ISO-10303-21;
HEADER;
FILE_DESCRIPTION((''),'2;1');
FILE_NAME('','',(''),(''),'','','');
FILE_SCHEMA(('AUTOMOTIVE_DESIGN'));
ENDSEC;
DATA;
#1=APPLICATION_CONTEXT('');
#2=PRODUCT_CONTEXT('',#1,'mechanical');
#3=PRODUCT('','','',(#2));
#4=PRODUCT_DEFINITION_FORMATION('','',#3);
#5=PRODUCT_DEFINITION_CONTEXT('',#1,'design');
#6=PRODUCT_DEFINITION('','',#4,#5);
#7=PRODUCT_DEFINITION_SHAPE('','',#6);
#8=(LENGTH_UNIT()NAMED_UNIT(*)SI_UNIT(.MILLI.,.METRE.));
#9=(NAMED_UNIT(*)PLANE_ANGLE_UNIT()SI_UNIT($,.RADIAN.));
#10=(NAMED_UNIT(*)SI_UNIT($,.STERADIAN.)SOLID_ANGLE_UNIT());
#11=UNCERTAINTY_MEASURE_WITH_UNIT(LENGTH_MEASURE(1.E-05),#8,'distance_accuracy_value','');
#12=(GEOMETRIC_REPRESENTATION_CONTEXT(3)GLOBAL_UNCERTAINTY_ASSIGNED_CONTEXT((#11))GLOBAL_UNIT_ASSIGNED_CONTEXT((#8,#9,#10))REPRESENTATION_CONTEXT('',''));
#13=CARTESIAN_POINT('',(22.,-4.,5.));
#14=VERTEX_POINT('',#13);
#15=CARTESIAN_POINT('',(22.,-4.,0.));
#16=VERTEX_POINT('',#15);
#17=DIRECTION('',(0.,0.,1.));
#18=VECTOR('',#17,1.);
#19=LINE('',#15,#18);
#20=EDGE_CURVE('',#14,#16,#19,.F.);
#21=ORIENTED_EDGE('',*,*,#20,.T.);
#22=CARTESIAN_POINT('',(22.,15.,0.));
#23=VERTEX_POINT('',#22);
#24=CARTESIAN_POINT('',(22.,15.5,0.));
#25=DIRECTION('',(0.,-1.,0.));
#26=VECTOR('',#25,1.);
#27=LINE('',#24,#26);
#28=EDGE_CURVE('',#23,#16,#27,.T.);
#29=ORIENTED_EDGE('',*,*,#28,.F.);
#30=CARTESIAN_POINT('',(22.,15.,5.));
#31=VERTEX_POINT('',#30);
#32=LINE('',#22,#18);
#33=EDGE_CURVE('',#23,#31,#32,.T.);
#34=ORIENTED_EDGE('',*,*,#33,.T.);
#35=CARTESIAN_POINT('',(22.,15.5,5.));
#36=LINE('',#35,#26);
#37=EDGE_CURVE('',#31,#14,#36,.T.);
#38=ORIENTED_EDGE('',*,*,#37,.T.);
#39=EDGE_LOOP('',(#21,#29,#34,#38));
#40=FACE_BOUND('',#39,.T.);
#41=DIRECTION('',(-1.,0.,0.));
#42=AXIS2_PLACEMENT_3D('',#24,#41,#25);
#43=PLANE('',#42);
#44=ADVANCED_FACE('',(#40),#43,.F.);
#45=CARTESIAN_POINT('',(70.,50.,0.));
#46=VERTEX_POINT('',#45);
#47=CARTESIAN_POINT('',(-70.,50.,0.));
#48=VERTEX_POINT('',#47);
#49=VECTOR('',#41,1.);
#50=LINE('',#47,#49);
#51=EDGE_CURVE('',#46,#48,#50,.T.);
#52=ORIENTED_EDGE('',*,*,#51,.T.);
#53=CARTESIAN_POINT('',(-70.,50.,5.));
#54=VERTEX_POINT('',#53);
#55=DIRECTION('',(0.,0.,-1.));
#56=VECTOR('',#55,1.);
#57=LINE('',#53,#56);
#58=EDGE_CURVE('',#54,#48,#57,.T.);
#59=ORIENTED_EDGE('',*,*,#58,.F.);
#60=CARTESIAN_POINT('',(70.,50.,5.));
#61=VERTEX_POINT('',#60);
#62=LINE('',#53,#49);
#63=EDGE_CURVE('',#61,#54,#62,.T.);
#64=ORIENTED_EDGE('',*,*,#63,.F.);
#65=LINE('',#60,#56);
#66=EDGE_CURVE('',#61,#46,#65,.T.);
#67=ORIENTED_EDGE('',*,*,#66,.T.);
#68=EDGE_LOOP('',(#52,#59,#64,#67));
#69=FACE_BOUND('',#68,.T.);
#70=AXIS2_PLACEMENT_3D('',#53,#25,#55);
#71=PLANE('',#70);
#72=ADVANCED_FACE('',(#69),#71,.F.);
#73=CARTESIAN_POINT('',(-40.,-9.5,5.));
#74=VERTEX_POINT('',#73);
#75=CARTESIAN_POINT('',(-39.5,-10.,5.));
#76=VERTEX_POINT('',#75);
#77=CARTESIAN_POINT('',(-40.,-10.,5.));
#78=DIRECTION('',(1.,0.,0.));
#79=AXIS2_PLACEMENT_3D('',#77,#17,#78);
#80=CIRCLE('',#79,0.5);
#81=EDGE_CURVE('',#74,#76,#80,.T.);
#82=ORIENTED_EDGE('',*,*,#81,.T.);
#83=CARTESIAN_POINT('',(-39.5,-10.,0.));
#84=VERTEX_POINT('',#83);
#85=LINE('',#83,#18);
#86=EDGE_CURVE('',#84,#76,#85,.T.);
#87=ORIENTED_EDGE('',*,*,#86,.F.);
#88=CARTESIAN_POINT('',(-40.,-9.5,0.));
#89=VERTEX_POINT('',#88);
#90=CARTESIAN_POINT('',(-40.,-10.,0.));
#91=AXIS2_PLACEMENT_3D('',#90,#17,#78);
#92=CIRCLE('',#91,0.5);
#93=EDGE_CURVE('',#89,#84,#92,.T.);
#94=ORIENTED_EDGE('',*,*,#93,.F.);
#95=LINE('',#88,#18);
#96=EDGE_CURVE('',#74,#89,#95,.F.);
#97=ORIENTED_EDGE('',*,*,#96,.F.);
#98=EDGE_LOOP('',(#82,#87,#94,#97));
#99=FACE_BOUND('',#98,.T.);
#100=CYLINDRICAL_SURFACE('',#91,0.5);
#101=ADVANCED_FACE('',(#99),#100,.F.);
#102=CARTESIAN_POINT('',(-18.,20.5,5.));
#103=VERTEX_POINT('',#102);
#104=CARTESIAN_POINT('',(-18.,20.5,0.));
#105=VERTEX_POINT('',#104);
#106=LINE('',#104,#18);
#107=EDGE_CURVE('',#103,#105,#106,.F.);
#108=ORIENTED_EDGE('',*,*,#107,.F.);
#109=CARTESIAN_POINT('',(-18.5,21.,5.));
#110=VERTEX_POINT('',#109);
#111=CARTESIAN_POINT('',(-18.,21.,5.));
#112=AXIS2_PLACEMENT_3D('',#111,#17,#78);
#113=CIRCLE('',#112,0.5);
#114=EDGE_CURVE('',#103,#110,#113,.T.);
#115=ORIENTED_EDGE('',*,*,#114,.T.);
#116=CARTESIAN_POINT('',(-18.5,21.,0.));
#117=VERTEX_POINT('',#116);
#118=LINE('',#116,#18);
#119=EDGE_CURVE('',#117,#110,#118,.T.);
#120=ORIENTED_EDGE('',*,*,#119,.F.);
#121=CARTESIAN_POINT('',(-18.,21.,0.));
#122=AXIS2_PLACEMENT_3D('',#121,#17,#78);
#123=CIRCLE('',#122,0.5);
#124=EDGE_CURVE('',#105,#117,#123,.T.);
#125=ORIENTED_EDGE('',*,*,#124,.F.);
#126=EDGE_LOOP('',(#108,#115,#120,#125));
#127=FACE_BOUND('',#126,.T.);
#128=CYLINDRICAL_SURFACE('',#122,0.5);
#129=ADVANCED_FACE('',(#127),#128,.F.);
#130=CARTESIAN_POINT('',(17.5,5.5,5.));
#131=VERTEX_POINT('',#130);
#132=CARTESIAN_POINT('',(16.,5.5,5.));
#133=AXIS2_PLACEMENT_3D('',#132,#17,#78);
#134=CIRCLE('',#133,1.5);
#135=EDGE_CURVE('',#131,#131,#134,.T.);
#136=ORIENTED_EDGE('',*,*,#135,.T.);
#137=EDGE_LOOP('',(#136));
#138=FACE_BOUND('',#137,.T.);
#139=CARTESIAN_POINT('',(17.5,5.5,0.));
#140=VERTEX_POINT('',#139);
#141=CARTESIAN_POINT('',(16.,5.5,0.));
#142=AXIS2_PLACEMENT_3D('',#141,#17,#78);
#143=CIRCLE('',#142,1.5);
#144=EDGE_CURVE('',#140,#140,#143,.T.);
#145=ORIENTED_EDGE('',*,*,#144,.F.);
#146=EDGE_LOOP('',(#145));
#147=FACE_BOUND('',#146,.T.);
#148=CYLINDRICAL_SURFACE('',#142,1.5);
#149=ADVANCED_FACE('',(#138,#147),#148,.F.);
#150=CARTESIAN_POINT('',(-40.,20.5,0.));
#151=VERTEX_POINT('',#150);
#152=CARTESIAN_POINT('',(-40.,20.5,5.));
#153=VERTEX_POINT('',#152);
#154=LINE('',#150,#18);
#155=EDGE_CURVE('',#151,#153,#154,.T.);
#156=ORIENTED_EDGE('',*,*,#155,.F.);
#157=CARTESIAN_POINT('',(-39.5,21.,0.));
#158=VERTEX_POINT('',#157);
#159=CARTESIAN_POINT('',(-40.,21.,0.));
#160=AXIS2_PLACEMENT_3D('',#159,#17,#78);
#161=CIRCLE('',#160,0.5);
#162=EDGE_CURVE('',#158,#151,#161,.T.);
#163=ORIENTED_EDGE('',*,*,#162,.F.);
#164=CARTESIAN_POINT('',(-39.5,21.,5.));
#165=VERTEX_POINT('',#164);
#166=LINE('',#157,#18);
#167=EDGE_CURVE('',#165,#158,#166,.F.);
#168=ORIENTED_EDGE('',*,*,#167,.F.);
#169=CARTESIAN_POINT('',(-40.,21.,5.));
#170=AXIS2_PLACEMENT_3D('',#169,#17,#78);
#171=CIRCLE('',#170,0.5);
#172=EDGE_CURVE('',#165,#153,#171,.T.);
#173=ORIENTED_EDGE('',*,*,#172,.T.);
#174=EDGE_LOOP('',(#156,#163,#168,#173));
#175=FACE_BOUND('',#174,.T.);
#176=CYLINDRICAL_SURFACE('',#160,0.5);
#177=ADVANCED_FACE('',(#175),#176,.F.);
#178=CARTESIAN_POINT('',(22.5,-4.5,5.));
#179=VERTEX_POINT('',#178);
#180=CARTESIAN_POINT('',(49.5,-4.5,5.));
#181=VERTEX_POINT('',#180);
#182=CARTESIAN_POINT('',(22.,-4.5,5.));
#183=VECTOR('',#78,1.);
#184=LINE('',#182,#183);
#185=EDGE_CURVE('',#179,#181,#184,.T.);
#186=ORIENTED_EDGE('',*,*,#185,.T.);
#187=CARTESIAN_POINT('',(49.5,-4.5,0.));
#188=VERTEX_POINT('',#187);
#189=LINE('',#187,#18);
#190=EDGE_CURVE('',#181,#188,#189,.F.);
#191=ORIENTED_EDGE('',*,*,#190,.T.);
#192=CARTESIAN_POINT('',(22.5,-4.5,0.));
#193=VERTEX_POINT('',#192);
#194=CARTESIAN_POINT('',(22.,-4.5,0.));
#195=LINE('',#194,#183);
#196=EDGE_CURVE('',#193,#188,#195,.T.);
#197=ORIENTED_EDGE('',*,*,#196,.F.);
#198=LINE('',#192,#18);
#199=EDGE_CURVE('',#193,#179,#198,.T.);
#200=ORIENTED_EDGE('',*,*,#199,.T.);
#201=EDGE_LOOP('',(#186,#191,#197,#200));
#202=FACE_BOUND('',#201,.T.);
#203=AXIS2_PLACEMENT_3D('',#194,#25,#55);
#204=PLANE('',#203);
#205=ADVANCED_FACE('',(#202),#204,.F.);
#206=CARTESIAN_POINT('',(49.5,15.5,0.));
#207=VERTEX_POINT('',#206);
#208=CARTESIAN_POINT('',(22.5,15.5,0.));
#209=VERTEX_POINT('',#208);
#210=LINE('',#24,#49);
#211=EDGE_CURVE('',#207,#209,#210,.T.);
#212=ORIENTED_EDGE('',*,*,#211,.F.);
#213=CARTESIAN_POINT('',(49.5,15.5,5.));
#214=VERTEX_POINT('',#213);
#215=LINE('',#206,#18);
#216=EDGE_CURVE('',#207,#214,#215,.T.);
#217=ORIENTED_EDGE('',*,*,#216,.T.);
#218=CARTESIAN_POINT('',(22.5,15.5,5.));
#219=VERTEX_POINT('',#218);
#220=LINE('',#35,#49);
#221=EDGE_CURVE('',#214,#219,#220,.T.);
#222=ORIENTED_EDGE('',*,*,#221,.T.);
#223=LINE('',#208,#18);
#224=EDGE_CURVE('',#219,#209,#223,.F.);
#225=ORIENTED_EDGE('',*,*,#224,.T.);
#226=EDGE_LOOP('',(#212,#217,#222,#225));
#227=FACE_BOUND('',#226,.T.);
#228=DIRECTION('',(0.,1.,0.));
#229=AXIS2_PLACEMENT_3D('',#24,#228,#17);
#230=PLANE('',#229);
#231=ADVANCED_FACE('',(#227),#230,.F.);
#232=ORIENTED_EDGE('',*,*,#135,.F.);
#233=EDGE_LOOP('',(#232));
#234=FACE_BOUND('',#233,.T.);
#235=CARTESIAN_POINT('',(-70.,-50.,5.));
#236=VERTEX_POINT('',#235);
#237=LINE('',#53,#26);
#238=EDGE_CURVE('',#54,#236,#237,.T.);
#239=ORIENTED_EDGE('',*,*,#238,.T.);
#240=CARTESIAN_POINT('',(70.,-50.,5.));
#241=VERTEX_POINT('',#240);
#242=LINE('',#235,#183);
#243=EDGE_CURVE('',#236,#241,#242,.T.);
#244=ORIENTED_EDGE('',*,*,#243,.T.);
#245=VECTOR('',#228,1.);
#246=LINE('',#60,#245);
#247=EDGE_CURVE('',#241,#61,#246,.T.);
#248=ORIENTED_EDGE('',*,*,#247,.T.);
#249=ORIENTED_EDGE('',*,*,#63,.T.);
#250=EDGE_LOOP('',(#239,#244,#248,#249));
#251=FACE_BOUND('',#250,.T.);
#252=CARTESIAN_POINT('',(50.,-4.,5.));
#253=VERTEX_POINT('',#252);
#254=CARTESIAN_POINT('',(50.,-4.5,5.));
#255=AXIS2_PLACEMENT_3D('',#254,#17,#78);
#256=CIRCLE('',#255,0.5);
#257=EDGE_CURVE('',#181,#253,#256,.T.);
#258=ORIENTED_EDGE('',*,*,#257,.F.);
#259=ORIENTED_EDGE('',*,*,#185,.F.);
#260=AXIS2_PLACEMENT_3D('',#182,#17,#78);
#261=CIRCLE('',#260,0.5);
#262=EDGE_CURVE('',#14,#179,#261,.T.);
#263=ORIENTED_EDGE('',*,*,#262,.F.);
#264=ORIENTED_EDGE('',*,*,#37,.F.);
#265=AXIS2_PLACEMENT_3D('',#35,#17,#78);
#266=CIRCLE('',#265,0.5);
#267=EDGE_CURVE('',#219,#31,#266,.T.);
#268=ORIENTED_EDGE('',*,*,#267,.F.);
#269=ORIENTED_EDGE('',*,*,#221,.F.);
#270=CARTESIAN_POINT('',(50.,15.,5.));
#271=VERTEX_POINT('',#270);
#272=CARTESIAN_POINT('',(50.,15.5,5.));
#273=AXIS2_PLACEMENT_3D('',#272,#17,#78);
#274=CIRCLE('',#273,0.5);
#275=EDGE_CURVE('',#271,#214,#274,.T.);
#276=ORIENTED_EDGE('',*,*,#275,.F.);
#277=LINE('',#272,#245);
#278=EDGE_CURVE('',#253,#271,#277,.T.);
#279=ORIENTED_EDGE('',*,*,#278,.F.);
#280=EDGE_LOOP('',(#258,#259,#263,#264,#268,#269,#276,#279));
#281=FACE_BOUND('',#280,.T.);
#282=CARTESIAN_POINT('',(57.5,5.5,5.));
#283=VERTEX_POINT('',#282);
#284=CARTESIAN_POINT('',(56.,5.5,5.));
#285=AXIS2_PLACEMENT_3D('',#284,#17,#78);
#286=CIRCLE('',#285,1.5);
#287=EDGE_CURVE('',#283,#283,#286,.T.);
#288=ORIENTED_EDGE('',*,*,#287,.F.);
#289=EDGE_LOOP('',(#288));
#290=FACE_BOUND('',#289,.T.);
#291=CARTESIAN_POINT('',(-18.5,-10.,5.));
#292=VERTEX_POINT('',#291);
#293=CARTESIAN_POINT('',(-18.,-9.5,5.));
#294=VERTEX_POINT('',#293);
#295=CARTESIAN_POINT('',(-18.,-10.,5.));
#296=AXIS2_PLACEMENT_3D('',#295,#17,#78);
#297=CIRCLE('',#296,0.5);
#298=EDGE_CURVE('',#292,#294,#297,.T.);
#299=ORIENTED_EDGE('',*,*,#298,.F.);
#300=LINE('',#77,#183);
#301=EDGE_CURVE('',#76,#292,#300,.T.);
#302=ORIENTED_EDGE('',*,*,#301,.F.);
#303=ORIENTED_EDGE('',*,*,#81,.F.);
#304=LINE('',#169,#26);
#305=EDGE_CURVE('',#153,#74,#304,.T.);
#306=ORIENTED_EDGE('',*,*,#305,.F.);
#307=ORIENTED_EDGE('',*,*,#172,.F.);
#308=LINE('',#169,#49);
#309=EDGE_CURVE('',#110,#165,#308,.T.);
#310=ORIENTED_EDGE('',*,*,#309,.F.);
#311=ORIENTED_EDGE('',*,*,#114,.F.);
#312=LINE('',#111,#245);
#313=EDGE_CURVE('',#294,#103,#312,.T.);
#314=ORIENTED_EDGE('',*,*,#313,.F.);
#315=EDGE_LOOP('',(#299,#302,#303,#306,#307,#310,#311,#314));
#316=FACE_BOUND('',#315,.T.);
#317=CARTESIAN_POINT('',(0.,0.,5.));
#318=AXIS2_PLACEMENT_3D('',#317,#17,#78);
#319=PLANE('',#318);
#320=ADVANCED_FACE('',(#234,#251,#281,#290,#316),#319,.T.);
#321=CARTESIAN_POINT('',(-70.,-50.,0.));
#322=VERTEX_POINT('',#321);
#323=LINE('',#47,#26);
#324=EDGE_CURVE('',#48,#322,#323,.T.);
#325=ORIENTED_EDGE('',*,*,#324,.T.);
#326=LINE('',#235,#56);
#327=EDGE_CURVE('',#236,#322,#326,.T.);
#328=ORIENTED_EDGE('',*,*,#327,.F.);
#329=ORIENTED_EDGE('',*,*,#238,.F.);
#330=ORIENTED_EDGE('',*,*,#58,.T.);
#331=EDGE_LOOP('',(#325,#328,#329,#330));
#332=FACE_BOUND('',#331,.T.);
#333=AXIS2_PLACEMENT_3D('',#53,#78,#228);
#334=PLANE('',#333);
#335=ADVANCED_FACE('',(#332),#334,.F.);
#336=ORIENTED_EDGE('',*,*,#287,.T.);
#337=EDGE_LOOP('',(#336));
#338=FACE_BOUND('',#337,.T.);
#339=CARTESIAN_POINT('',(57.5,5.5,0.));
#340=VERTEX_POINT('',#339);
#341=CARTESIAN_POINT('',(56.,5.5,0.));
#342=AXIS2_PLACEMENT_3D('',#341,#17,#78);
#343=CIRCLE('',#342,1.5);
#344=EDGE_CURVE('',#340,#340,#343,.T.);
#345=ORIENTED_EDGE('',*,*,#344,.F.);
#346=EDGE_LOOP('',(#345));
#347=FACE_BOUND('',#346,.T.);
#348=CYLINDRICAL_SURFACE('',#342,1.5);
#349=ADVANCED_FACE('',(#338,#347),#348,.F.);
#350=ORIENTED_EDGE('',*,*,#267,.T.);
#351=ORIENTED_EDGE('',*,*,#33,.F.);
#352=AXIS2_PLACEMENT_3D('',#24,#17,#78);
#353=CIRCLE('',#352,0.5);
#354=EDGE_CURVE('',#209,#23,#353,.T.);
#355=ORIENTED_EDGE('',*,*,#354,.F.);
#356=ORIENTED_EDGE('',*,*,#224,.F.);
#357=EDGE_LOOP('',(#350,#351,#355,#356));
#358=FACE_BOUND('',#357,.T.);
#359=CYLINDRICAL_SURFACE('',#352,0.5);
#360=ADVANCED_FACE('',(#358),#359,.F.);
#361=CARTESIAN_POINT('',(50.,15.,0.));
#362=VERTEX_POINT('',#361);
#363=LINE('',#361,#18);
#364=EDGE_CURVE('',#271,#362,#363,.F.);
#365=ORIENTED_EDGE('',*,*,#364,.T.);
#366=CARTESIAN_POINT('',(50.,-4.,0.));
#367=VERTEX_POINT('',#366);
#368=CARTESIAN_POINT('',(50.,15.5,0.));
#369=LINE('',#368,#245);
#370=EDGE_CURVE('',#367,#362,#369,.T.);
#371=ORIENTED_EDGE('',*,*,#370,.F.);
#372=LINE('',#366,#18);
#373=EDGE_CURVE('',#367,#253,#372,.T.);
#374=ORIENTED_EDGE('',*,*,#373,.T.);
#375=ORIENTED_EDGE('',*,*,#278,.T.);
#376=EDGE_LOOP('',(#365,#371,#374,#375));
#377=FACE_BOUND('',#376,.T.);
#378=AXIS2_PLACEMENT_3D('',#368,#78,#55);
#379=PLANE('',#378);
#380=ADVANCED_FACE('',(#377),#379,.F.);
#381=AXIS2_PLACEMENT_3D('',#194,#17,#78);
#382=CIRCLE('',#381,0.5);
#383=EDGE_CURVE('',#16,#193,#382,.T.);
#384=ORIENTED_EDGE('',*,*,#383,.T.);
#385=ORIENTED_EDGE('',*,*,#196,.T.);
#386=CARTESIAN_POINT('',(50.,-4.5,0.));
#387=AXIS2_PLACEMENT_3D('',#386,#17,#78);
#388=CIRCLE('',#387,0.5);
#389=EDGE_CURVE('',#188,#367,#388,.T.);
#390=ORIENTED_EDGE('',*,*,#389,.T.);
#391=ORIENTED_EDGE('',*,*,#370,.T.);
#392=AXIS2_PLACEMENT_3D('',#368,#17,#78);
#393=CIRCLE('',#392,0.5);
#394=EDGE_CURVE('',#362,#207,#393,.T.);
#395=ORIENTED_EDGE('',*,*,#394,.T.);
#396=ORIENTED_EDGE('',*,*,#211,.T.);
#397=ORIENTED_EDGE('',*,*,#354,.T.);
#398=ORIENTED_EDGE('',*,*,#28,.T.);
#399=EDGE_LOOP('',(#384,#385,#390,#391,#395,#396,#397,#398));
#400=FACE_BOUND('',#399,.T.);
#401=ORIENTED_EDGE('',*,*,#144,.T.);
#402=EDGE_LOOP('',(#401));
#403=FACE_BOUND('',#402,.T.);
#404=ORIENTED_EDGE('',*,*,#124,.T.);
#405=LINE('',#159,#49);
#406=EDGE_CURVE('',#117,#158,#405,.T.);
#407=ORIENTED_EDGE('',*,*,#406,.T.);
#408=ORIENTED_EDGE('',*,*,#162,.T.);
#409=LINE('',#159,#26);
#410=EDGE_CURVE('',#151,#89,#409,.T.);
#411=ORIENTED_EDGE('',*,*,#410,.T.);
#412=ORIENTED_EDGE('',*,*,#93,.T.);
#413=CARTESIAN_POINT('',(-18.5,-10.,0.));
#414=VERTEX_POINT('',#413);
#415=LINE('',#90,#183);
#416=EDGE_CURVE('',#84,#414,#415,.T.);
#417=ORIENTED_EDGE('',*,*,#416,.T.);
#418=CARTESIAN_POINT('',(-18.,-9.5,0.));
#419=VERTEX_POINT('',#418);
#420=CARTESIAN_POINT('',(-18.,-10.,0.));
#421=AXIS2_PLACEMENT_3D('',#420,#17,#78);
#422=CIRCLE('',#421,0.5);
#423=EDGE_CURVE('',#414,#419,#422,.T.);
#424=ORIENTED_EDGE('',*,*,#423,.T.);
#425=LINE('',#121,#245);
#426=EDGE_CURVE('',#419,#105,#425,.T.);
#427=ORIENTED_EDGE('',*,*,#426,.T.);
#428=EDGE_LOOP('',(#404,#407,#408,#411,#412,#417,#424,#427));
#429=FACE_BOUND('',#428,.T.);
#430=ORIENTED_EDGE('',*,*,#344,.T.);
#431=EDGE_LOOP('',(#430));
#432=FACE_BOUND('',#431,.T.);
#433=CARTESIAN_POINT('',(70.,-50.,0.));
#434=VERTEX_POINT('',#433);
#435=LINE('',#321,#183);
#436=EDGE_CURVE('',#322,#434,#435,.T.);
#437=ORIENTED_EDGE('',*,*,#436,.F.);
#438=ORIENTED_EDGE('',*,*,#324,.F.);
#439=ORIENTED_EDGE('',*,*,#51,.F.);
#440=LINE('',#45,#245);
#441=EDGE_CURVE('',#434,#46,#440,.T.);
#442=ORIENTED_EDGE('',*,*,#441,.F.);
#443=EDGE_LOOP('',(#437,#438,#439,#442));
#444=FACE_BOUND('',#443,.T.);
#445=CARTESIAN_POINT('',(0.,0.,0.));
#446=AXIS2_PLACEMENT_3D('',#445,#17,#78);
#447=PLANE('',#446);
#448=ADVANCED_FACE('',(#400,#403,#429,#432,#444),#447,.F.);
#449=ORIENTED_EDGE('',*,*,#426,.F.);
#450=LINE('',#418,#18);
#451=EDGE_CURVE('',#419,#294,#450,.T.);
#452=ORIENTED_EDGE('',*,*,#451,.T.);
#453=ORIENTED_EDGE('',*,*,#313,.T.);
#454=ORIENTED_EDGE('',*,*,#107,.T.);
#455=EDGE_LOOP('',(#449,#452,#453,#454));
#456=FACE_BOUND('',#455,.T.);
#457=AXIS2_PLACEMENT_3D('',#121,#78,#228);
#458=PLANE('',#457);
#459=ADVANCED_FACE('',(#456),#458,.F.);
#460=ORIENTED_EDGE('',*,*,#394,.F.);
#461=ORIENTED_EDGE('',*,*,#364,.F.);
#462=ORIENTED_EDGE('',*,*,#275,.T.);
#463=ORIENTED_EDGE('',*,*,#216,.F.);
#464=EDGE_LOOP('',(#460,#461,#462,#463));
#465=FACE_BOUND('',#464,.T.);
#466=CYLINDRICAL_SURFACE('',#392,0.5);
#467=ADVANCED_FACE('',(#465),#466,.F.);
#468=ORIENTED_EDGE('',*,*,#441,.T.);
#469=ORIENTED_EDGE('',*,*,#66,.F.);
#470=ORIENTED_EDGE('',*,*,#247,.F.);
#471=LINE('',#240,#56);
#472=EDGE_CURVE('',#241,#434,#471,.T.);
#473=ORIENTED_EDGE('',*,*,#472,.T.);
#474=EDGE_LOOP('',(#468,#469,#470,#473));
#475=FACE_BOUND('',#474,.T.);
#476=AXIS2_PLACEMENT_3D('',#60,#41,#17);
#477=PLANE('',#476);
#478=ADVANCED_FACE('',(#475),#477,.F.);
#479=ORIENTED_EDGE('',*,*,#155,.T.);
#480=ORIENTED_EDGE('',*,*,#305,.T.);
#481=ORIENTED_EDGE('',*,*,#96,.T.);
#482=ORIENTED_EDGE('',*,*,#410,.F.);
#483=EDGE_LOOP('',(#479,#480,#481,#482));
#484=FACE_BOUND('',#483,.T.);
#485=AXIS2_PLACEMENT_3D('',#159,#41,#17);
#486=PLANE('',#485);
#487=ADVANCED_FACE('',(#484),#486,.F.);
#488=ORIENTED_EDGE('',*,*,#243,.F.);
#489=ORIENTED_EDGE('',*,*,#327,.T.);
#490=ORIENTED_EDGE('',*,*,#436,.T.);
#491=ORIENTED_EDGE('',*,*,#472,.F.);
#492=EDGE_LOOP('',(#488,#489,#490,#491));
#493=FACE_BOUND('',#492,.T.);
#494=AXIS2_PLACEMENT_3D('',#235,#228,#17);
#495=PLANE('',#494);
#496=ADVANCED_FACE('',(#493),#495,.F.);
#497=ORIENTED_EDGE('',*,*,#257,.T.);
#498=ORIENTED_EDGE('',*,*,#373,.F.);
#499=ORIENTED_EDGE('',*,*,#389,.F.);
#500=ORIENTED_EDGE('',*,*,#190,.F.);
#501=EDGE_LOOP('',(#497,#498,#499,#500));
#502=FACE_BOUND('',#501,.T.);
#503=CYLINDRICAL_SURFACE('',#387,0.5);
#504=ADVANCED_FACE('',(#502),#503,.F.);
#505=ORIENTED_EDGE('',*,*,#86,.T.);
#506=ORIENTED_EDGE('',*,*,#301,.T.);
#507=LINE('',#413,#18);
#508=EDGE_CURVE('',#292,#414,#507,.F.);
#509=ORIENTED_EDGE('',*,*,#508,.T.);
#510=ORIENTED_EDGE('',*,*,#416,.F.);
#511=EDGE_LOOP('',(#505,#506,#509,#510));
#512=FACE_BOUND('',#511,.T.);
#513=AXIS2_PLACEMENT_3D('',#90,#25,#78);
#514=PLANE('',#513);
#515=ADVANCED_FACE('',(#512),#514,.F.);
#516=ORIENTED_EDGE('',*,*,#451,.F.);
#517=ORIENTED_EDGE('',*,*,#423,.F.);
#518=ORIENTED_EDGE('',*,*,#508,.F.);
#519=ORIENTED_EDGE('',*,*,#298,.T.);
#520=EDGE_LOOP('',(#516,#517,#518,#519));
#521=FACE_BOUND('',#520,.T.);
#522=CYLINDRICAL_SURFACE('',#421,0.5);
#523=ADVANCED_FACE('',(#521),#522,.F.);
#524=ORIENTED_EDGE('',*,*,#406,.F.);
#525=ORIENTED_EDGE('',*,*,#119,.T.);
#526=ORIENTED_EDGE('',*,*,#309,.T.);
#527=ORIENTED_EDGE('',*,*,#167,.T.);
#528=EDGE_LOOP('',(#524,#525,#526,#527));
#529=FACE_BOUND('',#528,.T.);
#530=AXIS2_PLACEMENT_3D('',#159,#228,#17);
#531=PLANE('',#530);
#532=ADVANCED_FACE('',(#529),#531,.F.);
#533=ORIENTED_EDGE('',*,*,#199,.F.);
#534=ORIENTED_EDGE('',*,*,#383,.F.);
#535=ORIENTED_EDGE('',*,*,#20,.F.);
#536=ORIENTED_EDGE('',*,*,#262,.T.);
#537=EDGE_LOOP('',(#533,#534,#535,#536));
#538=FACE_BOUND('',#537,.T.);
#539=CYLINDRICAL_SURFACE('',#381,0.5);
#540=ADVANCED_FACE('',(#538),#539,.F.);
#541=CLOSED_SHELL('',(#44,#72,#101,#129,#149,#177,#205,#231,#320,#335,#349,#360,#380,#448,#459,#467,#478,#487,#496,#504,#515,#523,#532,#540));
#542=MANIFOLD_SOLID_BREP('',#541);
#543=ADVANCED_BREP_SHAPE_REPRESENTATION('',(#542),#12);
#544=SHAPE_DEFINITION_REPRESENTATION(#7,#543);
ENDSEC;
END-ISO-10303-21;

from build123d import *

# Parameters (mm, degrees)
SKIZZE1_W                       = 140
SKIZZE1_H                       = 100
AUFSATZ_LINEAR_AUSTRAGEN1_DEPTH = 5
SKIZZE2_W                       = 22
SKIZZE2_H                       = 31
SCHNITT_LINEAR_AUSTRAGEN1_DEPTH = 87.168439698
SKIZZE4_R                       = 1.5
SKIZZE4_W                       = 28
SKIZZE4_H                       = 20
SCHNITT_LINEAR_AUSTRAGEN3_DEPTH = 87.168439698
SKIZZE3_R                       = 0.5
SCHNITT_LINEAR_AUSTRAGEN2_DEPTH = 87.168439698


with BuildPart() as part:
    # Skizze1 → Aufsatz-Linear austragen1 (new body)
    with BuildSketch(Plane.XY):
        Rectangle(SKIZZE1_W, SKIZZE1_H)
    extrude(amount=AUFSATZ_LINEAR_AUSTRAGEN1_DEPTH)

    # Skizze2 → Schnitt-Linear austragen1 (cut, through all)
    with BuildSketch(Plane.XY.offset(5)):
        with Locations((-29, 5.5)):
            Rectangle(SKIZZE2_W, SKIZZE2_H)
    extrude(amount=-SCHNITT_LINEAR_AUSTRAGEN1_DEPTH, mode=Mode.SUBTRACT)

    # Skizze4 → Schnitt-Linear austragen3 (cut, through all)
    with BuildSketch(Plane.XY.offset(5)):
        with Locations((16, 5.5)):
            Circle(SKIZZE4_R)
        with Locations((56, 5.5)):
            Circle(SKIZZE4_R)
        with Locations((36, 5.5)):
            Rectangle(SKIZZE4_W, SKIZZE4_H)
    extrude(amount=-SCHNITT_LINEAR_AUSTRAGEN3_DEPTH, mode=Mode.SUBTRACT)

    # Skizze3 → Schnitt-Linear austragen2 (cut, through all)
    with BuildSketch(Plane.XY.offset(5)):
        with Locations((-40, 21)):
            Circle(SKIZZE3_R)
        with Locations((-18, 21)):
            Circle(SKIZZE3_R)
        with Locations((-18, -10)):
            Circle(SKIZZE3_R)
        with Locations((-40, -10)):
            Circle(SKIZZE3_R)
        with Locations((22, 15.5)):
            Circle(SKIZZE3_R)
        with Locations((50, 15.5)):
            Circle(SKIZZE3_R)
        with Locations((50, -4.5)):
            Circle(SKIZZE3_R)
        with Locations((22, -4.5)):
            Circle(SKIZZE3_R)
    extrude(amount=-SCHNITT_LINEAR_AUSTRAGEN2_DEPTH, mode=Mode.SUBTRACT)


solid = part.part
